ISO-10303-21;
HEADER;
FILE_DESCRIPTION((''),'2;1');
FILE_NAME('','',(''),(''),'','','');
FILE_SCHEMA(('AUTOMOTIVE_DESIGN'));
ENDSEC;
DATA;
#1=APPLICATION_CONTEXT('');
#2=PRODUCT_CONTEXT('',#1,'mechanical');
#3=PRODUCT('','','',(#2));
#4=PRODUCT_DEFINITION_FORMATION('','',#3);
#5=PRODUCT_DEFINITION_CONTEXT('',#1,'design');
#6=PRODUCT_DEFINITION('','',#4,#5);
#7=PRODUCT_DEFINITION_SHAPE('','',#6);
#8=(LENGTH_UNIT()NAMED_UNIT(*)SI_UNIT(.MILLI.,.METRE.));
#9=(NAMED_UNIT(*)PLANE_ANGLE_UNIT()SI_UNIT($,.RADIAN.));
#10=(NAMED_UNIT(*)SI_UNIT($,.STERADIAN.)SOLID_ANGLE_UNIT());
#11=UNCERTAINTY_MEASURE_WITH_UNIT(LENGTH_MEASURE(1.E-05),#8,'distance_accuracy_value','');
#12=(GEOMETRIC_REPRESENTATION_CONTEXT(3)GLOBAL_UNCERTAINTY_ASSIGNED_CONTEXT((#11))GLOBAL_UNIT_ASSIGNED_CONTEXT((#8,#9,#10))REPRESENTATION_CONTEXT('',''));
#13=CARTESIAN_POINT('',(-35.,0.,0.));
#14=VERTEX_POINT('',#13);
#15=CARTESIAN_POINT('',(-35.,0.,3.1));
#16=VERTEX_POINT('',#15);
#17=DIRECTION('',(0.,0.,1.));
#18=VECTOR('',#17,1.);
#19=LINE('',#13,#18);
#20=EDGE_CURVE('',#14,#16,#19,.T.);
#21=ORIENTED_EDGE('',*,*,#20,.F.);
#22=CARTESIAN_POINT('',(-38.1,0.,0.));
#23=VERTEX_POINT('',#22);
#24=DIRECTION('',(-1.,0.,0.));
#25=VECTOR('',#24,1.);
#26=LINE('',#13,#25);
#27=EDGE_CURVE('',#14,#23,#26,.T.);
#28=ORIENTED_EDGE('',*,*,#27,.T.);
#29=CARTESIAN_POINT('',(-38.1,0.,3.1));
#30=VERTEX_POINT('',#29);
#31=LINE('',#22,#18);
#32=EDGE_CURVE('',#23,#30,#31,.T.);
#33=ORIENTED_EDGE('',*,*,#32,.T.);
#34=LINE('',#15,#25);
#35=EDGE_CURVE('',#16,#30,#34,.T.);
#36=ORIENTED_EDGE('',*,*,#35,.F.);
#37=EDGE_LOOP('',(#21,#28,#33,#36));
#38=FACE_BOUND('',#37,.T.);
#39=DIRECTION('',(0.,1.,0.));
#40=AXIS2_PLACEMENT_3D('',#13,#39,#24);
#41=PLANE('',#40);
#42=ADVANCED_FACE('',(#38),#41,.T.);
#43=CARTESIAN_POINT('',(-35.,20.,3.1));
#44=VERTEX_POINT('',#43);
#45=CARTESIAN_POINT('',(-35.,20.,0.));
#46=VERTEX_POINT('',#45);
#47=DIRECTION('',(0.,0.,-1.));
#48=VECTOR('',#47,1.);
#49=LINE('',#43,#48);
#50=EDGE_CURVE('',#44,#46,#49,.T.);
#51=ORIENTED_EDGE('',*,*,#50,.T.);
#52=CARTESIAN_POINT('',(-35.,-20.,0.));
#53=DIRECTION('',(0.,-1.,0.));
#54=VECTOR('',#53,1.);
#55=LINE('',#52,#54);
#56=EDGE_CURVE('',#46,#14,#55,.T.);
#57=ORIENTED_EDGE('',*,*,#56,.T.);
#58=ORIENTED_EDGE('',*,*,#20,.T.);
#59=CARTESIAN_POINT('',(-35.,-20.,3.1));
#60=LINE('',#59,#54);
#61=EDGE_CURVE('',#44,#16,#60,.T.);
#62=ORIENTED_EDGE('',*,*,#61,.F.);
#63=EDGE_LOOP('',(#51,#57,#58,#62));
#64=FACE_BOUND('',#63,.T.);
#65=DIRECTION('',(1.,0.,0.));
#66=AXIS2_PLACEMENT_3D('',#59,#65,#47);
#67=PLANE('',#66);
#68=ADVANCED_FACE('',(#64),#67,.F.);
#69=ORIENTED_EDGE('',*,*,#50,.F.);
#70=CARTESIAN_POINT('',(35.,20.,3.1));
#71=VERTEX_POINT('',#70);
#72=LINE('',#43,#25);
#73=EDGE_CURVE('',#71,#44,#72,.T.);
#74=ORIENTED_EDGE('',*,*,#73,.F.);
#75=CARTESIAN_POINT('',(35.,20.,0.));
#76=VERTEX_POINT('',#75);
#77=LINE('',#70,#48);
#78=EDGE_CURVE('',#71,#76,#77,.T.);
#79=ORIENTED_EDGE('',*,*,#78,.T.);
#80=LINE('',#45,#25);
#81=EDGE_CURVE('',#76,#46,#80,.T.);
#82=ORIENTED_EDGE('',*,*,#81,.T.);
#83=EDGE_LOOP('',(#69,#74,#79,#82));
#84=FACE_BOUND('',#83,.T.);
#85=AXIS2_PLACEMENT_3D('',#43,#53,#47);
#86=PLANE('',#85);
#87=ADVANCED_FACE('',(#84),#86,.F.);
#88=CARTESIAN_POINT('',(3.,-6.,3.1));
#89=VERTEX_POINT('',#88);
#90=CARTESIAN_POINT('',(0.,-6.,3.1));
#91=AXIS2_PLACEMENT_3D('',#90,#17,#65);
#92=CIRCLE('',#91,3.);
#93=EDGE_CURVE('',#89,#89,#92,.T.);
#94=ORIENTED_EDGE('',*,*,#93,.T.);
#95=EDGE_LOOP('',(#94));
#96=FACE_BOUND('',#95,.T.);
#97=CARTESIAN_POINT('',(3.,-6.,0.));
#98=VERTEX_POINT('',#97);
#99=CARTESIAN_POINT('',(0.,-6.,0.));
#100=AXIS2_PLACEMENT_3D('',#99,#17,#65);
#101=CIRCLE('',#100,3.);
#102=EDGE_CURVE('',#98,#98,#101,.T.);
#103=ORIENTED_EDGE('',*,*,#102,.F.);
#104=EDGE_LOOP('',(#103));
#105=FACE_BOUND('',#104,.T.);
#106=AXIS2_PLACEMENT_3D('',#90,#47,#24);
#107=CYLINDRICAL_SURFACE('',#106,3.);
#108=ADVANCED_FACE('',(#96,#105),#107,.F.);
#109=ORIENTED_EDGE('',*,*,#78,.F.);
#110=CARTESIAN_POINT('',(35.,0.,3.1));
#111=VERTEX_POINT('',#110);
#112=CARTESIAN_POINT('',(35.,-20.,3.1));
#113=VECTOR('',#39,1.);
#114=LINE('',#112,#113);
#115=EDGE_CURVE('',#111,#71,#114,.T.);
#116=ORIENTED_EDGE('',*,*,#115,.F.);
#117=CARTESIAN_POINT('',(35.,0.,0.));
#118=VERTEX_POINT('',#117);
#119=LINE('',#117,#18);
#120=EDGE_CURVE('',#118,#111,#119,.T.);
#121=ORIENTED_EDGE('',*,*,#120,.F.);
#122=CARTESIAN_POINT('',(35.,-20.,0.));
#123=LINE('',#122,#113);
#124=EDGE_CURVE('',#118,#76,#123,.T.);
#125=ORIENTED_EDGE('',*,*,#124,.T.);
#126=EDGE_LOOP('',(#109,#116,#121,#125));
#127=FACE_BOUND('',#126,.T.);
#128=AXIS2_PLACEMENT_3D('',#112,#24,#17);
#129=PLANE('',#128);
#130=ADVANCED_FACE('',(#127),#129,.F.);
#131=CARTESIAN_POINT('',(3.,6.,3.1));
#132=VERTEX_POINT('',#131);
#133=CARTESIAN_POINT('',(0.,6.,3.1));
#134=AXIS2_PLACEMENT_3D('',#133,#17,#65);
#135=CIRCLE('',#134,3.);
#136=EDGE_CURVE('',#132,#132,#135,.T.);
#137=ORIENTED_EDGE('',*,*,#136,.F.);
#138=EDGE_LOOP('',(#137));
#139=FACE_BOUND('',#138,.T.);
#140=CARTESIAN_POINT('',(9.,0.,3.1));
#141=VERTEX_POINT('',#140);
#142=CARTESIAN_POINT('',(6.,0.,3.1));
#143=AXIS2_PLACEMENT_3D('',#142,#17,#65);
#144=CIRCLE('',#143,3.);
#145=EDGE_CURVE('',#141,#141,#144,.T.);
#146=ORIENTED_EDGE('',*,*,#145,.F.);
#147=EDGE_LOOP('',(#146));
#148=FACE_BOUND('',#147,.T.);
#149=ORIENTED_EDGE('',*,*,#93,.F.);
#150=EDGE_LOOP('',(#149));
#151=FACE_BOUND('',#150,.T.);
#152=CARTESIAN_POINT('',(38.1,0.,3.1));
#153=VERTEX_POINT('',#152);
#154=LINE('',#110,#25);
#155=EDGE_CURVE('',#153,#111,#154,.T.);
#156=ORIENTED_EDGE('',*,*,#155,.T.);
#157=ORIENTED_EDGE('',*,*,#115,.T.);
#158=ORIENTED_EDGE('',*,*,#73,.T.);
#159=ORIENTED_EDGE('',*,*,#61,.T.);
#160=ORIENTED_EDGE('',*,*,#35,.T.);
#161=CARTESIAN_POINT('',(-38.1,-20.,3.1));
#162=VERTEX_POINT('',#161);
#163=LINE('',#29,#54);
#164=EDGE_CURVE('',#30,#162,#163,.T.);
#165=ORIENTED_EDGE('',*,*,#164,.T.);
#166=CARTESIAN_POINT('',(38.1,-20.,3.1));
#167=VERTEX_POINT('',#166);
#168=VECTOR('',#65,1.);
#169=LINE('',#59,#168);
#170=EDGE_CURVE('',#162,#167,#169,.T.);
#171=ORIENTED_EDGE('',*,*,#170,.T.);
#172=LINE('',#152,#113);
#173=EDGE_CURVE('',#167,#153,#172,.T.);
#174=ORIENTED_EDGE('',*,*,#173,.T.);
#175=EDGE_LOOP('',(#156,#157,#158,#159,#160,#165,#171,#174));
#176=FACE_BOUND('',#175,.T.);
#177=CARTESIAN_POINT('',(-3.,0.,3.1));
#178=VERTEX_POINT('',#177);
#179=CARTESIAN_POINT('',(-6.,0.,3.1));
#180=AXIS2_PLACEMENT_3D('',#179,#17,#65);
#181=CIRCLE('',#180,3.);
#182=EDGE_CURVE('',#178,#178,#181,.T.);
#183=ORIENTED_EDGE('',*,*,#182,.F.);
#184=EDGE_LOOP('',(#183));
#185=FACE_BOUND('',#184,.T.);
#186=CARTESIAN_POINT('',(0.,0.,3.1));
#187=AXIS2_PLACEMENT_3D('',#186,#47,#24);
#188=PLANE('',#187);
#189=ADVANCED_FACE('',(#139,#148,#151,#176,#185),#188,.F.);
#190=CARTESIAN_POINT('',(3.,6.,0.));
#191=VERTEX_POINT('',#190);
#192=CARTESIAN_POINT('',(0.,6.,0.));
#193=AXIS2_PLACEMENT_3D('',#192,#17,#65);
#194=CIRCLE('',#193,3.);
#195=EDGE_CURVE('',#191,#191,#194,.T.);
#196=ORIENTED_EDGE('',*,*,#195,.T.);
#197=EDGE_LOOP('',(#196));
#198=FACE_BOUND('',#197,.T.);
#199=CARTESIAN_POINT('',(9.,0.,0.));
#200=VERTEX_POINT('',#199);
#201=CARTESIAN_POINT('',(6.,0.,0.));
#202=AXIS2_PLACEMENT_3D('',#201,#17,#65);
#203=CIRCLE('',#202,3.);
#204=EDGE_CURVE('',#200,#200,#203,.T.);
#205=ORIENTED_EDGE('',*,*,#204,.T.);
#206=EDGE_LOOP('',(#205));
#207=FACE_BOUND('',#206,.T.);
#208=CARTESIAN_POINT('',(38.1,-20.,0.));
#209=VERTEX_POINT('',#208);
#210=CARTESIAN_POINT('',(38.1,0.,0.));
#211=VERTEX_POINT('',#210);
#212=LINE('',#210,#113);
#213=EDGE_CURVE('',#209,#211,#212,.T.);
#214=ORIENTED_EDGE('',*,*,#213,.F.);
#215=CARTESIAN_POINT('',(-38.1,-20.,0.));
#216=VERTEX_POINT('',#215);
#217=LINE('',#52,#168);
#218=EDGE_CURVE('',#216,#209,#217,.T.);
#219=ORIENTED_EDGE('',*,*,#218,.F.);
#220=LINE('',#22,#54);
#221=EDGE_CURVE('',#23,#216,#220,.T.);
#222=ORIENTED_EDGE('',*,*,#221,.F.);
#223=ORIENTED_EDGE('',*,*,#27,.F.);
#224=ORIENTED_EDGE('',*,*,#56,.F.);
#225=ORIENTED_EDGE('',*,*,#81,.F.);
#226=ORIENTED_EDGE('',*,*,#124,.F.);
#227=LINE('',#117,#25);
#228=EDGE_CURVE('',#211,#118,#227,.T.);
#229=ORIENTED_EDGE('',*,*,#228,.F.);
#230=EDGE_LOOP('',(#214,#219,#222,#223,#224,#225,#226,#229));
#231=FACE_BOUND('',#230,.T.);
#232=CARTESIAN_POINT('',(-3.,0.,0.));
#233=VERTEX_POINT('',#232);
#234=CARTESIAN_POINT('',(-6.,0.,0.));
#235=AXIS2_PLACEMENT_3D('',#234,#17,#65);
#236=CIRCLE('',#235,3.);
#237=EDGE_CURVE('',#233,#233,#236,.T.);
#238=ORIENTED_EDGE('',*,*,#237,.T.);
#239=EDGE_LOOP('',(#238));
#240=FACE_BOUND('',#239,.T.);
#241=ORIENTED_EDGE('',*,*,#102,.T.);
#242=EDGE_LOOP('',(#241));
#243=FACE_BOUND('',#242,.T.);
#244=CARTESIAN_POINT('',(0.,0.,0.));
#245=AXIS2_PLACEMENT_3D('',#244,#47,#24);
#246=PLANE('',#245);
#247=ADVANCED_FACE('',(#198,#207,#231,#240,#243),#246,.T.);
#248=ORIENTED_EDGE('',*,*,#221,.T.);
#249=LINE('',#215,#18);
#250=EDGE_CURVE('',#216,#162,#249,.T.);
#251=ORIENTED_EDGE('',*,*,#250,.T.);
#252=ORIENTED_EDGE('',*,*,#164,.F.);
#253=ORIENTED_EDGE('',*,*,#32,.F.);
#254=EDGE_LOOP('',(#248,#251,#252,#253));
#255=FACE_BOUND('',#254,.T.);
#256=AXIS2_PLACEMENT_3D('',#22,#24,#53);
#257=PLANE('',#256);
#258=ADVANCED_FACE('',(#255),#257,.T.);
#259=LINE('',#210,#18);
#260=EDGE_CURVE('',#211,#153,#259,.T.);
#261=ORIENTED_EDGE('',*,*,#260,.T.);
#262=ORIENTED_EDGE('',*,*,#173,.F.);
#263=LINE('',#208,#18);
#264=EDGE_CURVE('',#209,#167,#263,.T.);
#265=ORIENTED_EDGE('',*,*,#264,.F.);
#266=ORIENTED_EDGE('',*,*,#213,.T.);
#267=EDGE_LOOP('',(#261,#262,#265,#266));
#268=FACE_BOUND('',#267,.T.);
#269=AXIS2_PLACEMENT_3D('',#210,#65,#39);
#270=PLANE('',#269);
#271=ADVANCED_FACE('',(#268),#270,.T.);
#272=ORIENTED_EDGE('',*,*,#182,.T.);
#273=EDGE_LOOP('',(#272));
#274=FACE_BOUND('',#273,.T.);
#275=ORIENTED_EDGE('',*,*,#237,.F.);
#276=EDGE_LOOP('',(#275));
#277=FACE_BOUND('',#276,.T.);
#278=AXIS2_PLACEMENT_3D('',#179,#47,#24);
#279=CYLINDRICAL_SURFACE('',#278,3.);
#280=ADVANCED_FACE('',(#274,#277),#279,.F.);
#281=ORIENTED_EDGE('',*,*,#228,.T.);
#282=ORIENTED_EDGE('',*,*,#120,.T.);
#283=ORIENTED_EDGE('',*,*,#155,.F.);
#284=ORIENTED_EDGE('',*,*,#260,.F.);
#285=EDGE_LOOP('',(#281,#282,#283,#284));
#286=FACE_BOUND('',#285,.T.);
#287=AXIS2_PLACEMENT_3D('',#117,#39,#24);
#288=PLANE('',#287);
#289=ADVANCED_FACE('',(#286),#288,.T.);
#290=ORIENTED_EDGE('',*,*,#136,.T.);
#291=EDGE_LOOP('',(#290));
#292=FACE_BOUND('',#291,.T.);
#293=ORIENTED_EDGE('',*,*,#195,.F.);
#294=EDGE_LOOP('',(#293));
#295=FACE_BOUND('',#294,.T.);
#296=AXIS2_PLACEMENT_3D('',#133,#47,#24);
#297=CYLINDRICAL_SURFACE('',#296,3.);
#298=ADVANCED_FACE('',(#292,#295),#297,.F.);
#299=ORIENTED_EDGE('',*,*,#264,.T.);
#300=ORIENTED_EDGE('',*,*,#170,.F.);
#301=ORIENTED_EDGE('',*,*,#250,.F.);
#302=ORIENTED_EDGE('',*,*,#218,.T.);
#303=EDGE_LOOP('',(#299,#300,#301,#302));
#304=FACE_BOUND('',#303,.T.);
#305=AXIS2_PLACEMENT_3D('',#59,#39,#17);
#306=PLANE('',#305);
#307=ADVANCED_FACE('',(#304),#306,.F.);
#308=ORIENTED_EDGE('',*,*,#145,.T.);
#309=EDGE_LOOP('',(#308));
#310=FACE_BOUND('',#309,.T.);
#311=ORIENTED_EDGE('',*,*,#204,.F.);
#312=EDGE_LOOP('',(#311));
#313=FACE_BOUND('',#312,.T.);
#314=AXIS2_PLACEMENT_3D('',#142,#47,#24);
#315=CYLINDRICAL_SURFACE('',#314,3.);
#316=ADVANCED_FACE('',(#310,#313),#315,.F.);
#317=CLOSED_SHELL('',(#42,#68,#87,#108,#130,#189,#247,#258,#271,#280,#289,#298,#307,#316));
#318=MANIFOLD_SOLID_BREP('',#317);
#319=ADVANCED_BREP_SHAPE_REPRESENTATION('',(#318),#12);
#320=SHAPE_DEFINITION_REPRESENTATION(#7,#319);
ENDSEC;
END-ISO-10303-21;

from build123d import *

# Parameters (mm, degrees)
SKETCH1_W           = 70
SKETCH1_H           = 40
SKETCH1_R           = 3
BOSS_EXTRUDE1_DEPTH = 3.1
SKETCH2_W           = 3.1
SKETCH2_H           = 20
BOSS_EXTRUDE2_DEPTH = 3.1


with BuildPart() as part:
    # Sketch1 → Boss-Extrude1 (new body)
    with BuildSketch(Plane.XY):
        Rectangle(SKETCH1_W, SKETCH1_H)
        with Locations((-6, 0)):
            Circle(SKETCH1_R, mode=Mode.SUBTRACT)
        with Locations((0, 6)):
            Circle(SKETCH1_R, mode=Mode.SUBTRACT)
        with Locations((6, 0)):
            Circle(SKETCH1_R, mode=Mode.SUBTRACT)
        with Locations((0, -6)):
            Circle(SKETCH1_R, mode=Mode.SUBTRACT)
    extrude(amount=BOSS_EXTRUDE1_DEPTH)

    # Sketch2 → Boss-Extrude2 (add, through all)
    with BuildSketch(Plane.XY.offset(3.1)):
        with Locations((36.55, -10)):
            Rectangle(SKETCH2_W, SKETCH2_H)
        with Locations((-36.55, -10)):
            Rectangle(SKETCH2_W, SKETCH2_H)
    extrude(amount=-BOSS_EXTRUDE2_DEPTH)


solid = part.part
